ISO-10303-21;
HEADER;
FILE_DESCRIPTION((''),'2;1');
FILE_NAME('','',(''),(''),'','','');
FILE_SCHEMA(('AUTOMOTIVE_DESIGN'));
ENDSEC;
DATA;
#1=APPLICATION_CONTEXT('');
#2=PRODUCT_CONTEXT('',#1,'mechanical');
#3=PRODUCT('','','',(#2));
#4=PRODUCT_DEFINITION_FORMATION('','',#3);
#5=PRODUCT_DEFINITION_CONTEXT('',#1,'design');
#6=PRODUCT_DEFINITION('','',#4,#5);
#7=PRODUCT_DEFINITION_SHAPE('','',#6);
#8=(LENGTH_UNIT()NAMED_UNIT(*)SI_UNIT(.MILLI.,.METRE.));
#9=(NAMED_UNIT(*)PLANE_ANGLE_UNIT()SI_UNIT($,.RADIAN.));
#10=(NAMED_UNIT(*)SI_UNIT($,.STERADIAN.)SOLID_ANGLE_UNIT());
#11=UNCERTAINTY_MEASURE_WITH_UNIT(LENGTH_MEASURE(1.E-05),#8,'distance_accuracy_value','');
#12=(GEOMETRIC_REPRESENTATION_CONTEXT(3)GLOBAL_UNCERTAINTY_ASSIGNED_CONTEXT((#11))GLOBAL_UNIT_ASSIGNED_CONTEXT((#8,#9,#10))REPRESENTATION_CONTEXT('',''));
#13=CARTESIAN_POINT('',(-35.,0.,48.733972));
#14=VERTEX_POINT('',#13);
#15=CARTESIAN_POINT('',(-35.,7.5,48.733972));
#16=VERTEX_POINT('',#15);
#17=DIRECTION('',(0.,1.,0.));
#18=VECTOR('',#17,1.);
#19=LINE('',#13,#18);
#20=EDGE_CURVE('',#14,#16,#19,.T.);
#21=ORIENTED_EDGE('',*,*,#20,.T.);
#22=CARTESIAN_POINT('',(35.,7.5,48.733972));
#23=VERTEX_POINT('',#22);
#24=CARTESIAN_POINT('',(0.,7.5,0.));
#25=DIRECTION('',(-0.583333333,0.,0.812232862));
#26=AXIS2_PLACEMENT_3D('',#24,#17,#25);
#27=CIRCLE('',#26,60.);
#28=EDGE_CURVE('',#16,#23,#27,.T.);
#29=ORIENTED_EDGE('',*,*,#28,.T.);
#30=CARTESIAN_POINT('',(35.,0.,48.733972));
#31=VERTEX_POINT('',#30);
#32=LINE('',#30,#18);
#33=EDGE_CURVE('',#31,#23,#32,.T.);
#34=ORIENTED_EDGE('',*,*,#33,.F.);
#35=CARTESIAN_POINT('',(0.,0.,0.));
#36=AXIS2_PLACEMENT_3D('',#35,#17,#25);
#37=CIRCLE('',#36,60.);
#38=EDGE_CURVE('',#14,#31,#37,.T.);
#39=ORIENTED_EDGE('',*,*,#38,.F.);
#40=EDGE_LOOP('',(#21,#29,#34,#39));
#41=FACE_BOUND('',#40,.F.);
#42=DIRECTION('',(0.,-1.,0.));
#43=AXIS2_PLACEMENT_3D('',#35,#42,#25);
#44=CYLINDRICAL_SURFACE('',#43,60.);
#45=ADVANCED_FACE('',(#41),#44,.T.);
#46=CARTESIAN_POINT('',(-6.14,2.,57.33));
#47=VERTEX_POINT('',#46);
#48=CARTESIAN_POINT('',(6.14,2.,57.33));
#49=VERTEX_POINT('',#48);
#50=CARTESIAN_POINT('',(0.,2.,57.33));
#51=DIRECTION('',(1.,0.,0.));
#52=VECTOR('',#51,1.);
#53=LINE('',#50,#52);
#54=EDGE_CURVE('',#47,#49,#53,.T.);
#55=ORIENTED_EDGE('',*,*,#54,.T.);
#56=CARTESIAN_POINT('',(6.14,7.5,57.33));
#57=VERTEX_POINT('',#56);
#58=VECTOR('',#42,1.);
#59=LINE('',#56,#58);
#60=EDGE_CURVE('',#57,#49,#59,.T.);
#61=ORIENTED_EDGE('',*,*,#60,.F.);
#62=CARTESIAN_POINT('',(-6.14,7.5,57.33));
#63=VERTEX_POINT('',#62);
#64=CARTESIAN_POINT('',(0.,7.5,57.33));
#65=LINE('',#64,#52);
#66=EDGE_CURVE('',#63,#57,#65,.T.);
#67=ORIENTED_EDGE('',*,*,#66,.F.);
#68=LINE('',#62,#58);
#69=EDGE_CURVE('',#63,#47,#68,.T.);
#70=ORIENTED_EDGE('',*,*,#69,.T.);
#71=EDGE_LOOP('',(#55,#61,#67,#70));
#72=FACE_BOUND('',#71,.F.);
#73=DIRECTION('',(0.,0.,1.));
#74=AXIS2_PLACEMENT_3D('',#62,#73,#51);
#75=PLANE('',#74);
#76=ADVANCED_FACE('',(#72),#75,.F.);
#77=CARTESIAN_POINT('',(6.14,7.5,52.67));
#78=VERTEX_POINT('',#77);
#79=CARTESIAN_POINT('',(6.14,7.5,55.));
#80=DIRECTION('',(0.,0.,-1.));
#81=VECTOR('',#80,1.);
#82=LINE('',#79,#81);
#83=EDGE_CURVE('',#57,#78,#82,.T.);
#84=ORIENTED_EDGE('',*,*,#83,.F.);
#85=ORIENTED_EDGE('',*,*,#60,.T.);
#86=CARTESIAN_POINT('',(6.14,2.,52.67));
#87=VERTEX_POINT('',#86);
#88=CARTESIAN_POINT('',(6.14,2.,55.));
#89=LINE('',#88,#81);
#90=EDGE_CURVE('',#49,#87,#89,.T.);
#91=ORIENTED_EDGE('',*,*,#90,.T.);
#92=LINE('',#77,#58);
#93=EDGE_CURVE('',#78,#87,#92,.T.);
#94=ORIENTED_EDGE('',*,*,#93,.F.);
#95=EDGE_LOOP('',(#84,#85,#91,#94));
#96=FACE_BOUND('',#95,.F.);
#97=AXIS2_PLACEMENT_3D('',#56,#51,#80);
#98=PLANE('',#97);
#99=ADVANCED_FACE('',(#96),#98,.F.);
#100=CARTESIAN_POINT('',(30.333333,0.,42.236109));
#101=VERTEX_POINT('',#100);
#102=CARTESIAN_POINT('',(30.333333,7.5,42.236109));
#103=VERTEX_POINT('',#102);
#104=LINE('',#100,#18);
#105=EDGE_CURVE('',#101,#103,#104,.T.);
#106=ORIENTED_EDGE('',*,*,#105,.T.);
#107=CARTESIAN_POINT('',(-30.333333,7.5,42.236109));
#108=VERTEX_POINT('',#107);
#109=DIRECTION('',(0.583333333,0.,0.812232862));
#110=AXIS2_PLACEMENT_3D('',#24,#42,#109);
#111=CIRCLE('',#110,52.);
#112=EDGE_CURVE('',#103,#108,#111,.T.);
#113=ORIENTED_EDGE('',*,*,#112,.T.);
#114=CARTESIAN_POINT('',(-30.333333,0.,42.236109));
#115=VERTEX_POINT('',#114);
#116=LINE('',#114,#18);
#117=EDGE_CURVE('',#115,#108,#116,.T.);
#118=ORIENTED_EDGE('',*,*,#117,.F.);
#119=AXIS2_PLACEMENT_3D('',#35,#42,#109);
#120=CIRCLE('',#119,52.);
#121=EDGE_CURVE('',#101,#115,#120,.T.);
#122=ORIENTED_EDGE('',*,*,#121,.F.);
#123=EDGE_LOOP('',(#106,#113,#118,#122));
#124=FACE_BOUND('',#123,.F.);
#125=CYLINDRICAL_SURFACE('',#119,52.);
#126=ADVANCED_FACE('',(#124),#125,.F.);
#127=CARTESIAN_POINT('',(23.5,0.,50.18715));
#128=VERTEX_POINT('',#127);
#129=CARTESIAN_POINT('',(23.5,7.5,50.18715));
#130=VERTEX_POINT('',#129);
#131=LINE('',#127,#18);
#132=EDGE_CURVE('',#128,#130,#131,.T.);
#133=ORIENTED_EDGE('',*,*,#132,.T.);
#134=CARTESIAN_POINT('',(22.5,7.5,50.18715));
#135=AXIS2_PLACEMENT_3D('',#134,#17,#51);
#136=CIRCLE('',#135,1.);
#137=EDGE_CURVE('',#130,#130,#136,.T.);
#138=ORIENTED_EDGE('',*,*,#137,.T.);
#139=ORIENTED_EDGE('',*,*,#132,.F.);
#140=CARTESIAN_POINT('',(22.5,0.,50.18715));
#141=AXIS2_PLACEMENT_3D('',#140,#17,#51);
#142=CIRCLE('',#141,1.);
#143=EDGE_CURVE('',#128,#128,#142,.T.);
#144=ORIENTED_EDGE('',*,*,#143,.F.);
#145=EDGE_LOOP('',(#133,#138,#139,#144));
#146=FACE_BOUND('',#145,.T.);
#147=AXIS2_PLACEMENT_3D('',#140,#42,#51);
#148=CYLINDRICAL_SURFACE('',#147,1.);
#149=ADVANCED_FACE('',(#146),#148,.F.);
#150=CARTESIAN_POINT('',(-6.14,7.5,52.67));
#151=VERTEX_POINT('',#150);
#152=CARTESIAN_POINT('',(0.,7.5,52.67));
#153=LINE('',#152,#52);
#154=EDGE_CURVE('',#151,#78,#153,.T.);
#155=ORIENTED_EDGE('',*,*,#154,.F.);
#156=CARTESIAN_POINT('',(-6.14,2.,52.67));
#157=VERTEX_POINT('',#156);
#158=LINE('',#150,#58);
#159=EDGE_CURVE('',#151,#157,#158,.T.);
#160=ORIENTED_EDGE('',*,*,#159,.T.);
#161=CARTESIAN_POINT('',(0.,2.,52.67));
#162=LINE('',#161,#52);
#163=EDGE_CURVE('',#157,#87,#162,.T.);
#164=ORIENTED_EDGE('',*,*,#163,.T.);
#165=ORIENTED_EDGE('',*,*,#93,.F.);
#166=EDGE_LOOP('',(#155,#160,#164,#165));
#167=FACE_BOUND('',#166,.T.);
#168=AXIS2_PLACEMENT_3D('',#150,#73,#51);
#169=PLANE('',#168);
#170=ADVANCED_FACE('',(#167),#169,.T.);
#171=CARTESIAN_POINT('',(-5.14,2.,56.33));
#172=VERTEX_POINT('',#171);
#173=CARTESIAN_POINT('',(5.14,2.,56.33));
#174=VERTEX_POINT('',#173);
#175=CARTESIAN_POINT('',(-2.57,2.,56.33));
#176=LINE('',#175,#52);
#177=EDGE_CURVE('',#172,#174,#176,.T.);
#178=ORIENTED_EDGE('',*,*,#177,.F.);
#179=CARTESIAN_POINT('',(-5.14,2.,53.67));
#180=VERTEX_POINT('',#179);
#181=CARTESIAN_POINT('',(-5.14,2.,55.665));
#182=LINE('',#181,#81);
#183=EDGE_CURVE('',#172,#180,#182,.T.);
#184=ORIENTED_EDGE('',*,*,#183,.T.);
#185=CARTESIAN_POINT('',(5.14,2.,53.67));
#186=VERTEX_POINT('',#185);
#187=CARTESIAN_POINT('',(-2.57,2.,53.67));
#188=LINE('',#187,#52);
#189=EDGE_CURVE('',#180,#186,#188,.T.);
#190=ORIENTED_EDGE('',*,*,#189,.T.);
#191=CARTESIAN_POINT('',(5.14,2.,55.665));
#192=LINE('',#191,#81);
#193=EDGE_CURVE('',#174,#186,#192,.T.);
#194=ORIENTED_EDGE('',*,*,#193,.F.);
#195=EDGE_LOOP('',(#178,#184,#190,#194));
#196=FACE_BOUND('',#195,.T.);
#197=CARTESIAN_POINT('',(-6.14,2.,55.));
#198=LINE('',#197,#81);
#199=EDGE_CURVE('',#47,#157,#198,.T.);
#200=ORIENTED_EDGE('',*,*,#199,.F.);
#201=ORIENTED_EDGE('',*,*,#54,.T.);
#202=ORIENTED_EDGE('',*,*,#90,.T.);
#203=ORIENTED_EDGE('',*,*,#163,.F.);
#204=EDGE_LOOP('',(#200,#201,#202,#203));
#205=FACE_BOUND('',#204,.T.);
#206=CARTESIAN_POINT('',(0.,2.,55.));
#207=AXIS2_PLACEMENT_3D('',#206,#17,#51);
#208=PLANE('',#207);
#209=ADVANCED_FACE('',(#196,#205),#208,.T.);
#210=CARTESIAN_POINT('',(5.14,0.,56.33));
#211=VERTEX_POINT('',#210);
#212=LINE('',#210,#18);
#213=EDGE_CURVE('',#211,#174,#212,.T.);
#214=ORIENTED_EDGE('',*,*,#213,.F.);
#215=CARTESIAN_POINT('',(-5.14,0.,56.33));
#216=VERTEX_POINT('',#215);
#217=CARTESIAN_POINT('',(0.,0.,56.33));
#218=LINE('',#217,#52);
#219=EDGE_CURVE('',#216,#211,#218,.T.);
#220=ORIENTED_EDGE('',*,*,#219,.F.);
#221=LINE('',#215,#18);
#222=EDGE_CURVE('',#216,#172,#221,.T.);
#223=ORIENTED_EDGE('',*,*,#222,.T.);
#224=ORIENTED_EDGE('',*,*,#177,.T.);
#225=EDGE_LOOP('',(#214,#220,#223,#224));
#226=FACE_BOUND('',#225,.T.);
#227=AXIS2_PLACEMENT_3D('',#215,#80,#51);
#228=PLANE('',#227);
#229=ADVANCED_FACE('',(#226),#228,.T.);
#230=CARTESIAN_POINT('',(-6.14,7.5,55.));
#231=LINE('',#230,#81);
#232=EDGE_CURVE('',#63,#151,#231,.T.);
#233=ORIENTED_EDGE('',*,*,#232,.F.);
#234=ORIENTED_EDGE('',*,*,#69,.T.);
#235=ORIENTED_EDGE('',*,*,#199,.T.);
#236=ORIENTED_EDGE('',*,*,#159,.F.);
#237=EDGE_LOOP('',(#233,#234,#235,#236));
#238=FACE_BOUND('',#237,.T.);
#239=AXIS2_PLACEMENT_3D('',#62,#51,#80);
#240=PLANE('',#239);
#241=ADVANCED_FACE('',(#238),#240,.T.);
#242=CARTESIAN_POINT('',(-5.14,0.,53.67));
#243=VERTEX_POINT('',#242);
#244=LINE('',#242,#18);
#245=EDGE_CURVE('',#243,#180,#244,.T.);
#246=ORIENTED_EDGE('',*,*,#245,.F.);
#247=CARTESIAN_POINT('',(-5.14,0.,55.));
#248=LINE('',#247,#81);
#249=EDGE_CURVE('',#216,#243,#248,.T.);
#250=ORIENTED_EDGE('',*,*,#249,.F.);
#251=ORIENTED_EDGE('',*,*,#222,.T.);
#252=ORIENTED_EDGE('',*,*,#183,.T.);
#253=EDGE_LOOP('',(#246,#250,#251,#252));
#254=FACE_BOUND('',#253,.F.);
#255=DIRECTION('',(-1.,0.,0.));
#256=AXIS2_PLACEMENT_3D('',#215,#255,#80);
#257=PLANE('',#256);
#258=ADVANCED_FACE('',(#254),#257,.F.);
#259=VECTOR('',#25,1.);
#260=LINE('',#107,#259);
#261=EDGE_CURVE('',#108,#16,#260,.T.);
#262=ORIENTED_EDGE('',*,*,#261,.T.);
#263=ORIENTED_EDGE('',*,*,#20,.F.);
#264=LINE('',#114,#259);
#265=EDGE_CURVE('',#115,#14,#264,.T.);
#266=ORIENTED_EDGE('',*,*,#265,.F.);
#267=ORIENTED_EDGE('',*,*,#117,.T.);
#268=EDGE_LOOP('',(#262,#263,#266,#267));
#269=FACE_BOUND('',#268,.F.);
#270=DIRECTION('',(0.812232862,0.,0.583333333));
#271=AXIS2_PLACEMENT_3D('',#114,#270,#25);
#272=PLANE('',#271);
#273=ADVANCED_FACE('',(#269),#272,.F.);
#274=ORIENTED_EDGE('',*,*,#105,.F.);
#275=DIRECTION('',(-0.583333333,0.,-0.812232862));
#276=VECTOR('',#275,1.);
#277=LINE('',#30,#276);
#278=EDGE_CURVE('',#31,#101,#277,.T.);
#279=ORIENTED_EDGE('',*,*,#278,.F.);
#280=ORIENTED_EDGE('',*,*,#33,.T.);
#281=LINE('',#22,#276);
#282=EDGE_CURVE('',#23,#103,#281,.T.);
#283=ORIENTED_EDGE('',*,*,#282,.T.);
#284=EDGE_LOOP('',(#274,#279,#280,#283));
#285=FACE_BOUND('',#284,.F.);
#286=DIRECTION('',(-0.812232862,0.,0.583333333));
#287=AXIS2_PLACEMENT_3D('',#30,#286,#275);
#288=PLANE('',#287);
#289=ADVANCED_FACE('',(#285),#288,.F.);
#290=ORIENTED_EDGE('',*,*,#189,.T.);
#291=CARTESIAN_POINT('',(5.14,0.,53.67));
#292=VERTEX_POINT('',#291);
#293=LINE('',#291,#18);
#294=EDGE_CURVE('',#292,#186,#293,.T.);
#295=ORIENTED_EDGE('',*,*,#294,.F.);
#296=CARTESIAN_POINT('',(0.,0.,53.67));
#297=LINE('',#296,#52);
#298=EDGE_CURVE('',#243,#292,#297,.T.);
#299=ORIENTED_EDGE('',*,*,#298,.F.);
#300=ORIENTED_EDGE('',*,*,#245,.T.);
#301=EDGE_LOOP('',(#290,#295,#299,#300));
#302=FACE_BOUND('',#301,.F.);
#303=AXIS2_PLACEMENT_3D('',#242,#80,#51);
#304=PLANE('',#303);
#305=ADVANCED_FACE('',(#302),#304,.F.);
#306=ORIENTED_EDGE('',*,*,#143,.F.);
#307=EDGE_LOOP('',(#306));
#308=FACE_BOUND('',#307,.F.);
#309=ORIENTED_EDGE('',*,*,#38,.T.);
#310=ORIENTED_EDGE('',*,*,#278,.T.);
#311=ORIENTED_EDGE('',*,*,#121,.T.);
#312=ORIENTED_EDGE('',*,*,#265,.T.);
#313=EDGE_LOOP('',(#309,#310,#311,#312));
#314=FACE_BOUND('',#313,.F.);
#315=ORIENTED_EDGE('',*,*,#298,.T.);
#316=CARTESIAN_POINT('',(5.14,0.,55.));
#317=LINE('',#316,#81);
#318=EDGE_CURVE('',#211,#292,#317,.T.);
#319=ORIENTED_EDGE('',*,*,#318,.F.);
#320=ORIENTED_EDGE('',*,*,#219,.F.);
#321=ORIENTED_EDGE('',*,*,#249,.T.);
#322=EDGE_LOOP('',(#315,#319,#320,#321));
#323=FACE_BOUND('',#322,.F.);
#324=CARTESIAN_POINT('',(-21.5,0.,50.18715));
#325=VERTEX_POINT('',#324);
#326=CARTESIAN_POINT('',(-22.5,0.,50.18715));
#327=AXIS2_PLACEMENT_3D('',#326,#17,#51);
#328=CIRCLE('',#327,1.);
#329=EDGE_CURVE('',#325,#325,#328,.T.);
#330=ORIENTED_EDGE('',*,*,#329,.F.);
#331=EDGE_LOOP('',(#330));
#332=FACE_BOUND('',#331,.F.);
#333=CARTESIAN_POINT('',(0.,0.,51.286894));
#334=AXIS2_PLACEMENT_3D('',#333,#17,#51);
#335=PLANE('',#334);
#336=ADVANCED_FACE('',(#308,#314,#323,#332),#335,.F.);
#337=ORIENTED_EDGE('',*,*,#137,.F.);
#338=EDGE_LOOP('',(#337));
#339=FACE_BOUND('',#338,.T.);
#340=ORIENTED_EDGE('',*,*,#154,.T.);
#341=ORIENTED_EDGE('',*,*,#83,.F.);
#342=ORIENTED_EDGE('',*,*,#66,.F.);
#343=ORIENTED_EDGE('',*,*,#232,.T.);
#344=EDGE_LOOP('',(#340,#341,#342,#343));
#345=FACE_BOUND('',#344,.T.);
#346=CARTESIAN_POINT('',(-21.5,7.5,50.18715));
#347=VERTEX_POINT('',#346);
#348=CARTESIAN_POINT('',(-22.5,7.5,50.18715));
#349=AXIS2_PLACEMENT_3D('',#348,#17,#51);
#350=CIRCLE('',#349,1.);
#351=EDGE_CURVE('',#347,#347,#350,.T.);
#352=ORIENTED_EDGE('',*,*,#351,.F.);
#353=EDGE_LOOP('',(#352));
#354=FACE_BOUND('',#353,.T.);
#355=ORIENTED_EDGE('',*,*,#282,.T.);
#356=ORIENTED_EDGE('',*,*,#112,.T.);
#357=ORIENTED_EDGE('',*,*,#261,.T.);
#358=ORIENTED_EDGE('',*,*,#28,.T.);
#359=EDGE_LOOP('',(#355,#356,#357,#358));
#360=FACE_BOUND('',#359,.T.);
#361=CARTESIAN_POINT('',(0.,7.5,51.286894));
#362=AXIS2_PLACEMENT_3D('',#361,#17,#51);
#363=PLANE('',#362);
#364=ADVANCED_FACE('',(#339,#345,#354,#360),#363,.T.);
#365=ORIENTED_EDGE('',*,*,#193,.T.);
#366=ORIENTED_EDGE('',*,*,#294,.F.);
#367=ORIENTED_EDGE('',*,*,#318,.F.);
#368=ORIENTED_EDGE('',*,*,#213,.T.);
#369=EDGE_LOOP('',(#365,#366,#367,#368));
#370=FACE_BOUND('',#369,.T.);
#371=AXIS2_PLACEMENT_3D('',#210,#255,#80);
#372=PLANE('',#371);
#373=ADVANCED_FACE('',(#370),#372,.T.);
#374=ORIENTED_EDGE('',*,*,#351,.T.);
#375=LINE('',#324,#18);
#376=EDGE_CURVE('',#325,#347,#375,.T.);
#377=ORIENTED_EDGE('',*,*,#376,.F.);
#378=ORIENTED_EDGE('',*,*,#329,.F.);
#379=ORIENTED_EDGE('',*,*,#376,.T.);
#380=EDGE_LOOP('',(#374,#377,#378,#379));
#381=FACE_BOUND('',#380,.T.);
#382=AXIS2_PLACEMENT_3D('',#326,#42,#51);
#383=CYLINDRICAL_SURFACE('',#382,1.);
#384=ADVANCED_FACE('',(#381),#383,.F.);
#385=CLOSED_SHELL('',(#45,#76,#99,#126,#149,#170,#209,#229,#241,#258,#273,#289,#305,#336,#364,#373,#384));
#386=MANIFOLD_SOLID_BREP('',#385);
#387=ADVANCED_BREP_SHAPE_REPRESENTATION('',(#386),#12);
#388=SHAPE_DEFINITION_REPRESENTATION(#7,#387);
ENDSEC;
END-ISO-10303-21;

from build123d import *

# Parameters (mm, degrees)
CROQUIS1_R              = 1
CROQUIS1_W              = 10.28
CROQUIS1_H              = 2.66
SALIENTE_EXTRUIR1_DEPTH = 7.5
CROQUIS2_W              = 12.28
CROQUIS2_H              = 4.66
CORTAR_EXTRUIR1_DEPTH   = 5.5


with BuildPart() as part:
    # Croquis1 → Saliente-Extruir1 (new body)
    with BuildSketch(Plane(origin=(0, 0, 0), x_dir=(1, 0, 0), z_dir=(0, 1, 0))):
        with BuildLine():
            Line((35, -48.733971724), (30.333333333, -42.236108828))
            ThreePointArc((30.333333333, -42.236108828), (0, -52), (-30.333333333, -42.236108828))
            Line((-30.333333333, -42.236108828), (-35, -48.733971724))
            ThreePointArc((-35, -48.733971724), (0, -60), (35, -48.733971724))
        make_face()
        with Locations((-22.5, -50.18714975)):
            Circle(CROQUIS1_R, mode=Mode.SUBTRACT)
        with Locations((22.5, -50.18714975)):
            Circle(CROQUIS1_R, mode=Mode.SUBTRACT)
        with Locations((0, -55)):
            Rectangle(CROQUIS1_W, CROQUIS1_H, mode=Mode.SUBTRACT)
    extrude(amount=SALIENTE_EXTRUIR1_DEPTH)

    # Croquis2 → Cortar-Extruir1 (cut)
    with BuildSketch(Plane(origin=(0, 7.5, 0), x_dir=(1, 0, 0), z_dir=(0, 1, 0))):
        with Locations((0, -55)):
            Rectangle(CROQUIS2_W, CROQUIS2_H)
    extrude(amount=-CORTAR_EXTRUIR1_DEPTH, mode=Mode.SUBTRACT)


solid = part.part
